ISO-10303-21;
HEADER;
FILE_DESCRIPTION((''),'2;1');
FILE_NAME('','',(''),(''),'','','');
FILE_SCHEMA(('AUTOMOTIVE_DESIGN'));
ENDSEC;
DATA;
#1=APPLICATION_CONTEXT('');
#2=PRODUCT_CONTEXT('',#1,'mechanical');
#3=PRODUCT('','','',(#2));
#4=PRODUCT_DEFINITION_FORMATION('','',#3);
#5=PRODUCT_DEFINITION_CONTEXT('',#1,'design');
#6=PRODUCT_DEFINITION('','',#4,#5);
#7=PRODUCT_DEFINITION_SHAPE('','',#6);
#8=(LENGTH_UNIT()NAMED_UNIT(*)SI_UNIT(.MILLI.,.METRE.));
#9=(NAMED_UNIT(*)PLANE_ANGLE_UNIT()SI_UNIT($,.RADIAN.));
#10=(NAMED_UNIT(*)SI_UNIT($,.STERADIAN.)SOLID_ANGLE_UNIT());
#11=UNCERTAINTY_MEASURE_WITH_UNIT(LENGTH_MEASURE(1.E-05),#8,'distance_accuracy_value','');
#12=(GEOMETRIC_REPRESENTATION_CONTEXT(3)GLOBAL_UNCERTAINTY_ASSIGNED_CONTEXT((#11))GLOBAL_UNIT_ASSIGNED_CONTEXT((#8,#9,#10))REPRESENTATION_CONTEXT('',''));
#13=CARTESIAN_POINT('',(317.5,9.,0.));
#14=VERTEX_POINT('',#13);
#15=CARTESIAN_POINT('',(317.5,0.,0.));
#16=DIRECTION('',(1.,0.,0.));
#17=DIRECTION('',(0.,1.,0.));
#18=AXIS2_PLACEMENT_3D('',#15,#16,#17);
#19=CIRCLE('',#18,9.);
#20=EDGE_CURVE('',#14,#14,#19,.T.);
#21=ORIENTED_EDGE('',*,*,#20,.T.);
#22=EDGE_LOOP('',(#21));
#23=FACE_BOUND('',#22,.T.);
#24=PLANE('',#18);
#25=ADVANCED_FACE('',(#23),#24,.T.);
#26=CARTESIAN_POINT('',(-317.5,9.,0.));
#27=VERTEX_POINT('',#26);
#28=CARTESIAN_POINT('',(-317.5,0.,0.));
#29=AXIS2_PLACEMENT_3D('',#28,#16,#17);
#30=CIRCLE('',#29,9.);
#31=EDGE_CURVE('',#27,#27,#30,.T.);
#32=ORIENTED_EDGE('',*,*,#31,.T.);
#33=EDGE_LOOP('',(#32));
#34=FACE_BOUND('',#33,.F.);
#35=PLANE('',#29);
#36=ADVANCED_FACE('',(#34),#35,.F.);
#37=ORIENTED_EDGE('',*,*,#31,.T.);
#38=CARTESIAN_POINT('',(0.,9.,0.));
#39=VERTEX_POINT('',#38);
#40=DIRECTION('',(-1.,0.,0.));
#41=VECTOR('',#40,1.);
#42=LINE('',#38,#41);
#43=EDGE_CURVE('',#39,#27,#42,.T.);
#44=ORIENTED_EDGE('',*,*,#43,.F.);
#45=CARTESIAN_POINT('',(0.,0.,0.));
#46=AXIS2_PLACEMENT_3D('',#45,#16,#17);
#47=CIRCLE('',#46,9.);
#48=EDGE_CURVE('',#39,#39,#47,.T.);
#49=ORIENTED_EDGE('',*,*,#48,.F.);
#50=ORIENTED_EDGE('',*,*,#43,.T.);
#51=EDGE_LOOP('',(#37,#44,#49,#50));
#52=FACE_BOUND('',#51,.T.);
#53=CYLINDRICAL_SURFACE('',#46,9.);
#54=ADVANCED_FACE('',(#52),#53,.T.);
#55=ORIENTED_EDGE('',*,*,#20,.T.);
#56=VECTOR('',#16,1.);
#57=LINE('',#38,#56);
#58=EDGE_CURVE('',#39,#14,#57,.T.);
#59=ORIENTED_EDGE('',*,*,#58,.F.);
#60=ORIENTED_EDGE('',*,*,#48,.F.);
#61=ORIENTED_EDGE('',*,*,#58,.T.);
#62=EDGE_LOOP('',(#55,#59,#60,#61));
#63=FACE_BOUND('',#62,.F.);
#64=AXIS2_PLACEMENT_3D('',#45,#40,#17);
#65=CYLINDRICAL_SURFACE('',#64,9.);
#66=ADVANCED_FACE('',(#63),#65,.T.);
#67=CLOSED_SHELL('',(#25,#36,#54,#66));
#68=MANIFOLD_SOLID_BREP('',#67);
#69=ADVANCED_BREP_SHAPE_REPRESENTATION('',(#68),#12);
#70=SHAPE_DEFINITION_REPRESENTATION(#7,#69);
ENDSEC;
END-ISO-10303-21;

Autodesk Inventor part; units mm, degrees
ref_plane "YZ Plane" through (0, 0, 0) normal (1, 0, 0) x (0, 1, 0)
ref_plane "XZ Plane" through (0, 0, 0) normal (0, 1, 0) x (-1, 0, 0)
ref_plane "XY Plane" through (0, 0, 0) normal (0, 0, 1) x (1, 0, 0)
sketch "Sketch1" plane through (0, 0, 0) normal (1, 0, 0) x (0, 1, 0)
  circle A0 centre (0, 0) radius 9
  dimension "d0" = 18
extrude "Extrusion1" add sketch "Sketch1" along normal mid plane 635
equation "\"d0\" = 2 * secure_arm_radii"
equation "\"d1\" = wheelchair_deployed_width"
equation "\"hoop_angle_z\" = 45deg"
equation "\"hoop_bearing_length\" = 5deg"
equation "\"hoop_cable_diam\" = 5"
equation "\"hoop_cable_pulley_diam\" = 22"
equation "\"hoop_thickness_large\" = 4"
equation "\"hoop_thickness_medium\" = 3.2"
equation "\"hoop_thickness_small\" = 2"
equation "\"hoop_width_large\" = 51"
equation "\"hoop_width_medium\" = 33.7"
equation "\"hoop_width_small\" = 25.4"
equation "\"rack_tooth_addendum\" = 5"
equation "\"rack_tooth_dedendum\" = 5"
equation "\"rack_tooth_thickness\" = 5"
equation "\"secure_arm_angle\" = 35deg"
equation "\"secure_arm_radii\" = 9"
equation "\"support_baseClamp_platformLengthBuffer\" = 35"
equation "\"support_baseClamp_platformThickness\" = 15"
equation "\"support_baseClamp_platformWidthBuffer\" = 0"
equation "\"support_baseClamp_sleeveHoleDiameter\" = 12"
equation "\"support_baseClamp_sleeveSweepTerminationAngle\" = 55deg"
equation "\"support_baseClamp_thickness\" = 8"
equation "\"support_frame_endHoleBuffer\" = 45"
equation "\"support_frame_squareBarFillet\" = 2"
equation "\"support_frame_squareBarThickness\" = 5"
equation "\"hoop_tabs_thickness\" = 6"
equation "\"hoop_tabs_hole\" = 12"
equation "\"wheelchair_deployed_width\" = 635"
equation "\"wheelchair_deployed_length\" = 1067"
equation "\"wheelchair_deployed_height\" = 914"
equation "\"sm_varx_squareBarThickness\" = 2.5"
equation "\"sm_varx_pinPlate_thickness\" = 5"
equation "\"sm_varx_pinPlate_holeDiameter\" = 5"
equation "\"sm_varx_member_tolerance\" = 0"
equation "\"hoop_bushing23_radialInterference\" = 0"
equation "\"hoop_bushing12_radialInterference\" = 0"
equation "\"hoop_bushing12_od\" = -2 * hoop_thickness_large + hoop_width_large + hoop_bushing12_radialInterference"
equation "\"hoop_bushing23_od\" = -2 * hoop_thickness_medium + hoop_width_medium + hoop_bushing23_radialInterference"
equation "\"wheelchatir_pos_deploy_angle_0\" = 65deg"
equation "\"wheelchatir_pos_store_angle_0\" = 90deg"
equation "\"wheelchatir_pos_deploy_angle_1\" = 20deg"
equation "\"wheelchatir_pos_store_angle_1\" = 20deg"
equation "\"hoop_bushing12_thickness\" = -hoop_width_medium + hoop_bushing12_od - 2 * hoop_bushing12_radialInterference"
equation "\"hoop_bushing23_thickness\" = -hoop_width_small + hoop_bushing23_od - 2 * hoop_bushing23_radialInterference"
properties part number "axle_example"
